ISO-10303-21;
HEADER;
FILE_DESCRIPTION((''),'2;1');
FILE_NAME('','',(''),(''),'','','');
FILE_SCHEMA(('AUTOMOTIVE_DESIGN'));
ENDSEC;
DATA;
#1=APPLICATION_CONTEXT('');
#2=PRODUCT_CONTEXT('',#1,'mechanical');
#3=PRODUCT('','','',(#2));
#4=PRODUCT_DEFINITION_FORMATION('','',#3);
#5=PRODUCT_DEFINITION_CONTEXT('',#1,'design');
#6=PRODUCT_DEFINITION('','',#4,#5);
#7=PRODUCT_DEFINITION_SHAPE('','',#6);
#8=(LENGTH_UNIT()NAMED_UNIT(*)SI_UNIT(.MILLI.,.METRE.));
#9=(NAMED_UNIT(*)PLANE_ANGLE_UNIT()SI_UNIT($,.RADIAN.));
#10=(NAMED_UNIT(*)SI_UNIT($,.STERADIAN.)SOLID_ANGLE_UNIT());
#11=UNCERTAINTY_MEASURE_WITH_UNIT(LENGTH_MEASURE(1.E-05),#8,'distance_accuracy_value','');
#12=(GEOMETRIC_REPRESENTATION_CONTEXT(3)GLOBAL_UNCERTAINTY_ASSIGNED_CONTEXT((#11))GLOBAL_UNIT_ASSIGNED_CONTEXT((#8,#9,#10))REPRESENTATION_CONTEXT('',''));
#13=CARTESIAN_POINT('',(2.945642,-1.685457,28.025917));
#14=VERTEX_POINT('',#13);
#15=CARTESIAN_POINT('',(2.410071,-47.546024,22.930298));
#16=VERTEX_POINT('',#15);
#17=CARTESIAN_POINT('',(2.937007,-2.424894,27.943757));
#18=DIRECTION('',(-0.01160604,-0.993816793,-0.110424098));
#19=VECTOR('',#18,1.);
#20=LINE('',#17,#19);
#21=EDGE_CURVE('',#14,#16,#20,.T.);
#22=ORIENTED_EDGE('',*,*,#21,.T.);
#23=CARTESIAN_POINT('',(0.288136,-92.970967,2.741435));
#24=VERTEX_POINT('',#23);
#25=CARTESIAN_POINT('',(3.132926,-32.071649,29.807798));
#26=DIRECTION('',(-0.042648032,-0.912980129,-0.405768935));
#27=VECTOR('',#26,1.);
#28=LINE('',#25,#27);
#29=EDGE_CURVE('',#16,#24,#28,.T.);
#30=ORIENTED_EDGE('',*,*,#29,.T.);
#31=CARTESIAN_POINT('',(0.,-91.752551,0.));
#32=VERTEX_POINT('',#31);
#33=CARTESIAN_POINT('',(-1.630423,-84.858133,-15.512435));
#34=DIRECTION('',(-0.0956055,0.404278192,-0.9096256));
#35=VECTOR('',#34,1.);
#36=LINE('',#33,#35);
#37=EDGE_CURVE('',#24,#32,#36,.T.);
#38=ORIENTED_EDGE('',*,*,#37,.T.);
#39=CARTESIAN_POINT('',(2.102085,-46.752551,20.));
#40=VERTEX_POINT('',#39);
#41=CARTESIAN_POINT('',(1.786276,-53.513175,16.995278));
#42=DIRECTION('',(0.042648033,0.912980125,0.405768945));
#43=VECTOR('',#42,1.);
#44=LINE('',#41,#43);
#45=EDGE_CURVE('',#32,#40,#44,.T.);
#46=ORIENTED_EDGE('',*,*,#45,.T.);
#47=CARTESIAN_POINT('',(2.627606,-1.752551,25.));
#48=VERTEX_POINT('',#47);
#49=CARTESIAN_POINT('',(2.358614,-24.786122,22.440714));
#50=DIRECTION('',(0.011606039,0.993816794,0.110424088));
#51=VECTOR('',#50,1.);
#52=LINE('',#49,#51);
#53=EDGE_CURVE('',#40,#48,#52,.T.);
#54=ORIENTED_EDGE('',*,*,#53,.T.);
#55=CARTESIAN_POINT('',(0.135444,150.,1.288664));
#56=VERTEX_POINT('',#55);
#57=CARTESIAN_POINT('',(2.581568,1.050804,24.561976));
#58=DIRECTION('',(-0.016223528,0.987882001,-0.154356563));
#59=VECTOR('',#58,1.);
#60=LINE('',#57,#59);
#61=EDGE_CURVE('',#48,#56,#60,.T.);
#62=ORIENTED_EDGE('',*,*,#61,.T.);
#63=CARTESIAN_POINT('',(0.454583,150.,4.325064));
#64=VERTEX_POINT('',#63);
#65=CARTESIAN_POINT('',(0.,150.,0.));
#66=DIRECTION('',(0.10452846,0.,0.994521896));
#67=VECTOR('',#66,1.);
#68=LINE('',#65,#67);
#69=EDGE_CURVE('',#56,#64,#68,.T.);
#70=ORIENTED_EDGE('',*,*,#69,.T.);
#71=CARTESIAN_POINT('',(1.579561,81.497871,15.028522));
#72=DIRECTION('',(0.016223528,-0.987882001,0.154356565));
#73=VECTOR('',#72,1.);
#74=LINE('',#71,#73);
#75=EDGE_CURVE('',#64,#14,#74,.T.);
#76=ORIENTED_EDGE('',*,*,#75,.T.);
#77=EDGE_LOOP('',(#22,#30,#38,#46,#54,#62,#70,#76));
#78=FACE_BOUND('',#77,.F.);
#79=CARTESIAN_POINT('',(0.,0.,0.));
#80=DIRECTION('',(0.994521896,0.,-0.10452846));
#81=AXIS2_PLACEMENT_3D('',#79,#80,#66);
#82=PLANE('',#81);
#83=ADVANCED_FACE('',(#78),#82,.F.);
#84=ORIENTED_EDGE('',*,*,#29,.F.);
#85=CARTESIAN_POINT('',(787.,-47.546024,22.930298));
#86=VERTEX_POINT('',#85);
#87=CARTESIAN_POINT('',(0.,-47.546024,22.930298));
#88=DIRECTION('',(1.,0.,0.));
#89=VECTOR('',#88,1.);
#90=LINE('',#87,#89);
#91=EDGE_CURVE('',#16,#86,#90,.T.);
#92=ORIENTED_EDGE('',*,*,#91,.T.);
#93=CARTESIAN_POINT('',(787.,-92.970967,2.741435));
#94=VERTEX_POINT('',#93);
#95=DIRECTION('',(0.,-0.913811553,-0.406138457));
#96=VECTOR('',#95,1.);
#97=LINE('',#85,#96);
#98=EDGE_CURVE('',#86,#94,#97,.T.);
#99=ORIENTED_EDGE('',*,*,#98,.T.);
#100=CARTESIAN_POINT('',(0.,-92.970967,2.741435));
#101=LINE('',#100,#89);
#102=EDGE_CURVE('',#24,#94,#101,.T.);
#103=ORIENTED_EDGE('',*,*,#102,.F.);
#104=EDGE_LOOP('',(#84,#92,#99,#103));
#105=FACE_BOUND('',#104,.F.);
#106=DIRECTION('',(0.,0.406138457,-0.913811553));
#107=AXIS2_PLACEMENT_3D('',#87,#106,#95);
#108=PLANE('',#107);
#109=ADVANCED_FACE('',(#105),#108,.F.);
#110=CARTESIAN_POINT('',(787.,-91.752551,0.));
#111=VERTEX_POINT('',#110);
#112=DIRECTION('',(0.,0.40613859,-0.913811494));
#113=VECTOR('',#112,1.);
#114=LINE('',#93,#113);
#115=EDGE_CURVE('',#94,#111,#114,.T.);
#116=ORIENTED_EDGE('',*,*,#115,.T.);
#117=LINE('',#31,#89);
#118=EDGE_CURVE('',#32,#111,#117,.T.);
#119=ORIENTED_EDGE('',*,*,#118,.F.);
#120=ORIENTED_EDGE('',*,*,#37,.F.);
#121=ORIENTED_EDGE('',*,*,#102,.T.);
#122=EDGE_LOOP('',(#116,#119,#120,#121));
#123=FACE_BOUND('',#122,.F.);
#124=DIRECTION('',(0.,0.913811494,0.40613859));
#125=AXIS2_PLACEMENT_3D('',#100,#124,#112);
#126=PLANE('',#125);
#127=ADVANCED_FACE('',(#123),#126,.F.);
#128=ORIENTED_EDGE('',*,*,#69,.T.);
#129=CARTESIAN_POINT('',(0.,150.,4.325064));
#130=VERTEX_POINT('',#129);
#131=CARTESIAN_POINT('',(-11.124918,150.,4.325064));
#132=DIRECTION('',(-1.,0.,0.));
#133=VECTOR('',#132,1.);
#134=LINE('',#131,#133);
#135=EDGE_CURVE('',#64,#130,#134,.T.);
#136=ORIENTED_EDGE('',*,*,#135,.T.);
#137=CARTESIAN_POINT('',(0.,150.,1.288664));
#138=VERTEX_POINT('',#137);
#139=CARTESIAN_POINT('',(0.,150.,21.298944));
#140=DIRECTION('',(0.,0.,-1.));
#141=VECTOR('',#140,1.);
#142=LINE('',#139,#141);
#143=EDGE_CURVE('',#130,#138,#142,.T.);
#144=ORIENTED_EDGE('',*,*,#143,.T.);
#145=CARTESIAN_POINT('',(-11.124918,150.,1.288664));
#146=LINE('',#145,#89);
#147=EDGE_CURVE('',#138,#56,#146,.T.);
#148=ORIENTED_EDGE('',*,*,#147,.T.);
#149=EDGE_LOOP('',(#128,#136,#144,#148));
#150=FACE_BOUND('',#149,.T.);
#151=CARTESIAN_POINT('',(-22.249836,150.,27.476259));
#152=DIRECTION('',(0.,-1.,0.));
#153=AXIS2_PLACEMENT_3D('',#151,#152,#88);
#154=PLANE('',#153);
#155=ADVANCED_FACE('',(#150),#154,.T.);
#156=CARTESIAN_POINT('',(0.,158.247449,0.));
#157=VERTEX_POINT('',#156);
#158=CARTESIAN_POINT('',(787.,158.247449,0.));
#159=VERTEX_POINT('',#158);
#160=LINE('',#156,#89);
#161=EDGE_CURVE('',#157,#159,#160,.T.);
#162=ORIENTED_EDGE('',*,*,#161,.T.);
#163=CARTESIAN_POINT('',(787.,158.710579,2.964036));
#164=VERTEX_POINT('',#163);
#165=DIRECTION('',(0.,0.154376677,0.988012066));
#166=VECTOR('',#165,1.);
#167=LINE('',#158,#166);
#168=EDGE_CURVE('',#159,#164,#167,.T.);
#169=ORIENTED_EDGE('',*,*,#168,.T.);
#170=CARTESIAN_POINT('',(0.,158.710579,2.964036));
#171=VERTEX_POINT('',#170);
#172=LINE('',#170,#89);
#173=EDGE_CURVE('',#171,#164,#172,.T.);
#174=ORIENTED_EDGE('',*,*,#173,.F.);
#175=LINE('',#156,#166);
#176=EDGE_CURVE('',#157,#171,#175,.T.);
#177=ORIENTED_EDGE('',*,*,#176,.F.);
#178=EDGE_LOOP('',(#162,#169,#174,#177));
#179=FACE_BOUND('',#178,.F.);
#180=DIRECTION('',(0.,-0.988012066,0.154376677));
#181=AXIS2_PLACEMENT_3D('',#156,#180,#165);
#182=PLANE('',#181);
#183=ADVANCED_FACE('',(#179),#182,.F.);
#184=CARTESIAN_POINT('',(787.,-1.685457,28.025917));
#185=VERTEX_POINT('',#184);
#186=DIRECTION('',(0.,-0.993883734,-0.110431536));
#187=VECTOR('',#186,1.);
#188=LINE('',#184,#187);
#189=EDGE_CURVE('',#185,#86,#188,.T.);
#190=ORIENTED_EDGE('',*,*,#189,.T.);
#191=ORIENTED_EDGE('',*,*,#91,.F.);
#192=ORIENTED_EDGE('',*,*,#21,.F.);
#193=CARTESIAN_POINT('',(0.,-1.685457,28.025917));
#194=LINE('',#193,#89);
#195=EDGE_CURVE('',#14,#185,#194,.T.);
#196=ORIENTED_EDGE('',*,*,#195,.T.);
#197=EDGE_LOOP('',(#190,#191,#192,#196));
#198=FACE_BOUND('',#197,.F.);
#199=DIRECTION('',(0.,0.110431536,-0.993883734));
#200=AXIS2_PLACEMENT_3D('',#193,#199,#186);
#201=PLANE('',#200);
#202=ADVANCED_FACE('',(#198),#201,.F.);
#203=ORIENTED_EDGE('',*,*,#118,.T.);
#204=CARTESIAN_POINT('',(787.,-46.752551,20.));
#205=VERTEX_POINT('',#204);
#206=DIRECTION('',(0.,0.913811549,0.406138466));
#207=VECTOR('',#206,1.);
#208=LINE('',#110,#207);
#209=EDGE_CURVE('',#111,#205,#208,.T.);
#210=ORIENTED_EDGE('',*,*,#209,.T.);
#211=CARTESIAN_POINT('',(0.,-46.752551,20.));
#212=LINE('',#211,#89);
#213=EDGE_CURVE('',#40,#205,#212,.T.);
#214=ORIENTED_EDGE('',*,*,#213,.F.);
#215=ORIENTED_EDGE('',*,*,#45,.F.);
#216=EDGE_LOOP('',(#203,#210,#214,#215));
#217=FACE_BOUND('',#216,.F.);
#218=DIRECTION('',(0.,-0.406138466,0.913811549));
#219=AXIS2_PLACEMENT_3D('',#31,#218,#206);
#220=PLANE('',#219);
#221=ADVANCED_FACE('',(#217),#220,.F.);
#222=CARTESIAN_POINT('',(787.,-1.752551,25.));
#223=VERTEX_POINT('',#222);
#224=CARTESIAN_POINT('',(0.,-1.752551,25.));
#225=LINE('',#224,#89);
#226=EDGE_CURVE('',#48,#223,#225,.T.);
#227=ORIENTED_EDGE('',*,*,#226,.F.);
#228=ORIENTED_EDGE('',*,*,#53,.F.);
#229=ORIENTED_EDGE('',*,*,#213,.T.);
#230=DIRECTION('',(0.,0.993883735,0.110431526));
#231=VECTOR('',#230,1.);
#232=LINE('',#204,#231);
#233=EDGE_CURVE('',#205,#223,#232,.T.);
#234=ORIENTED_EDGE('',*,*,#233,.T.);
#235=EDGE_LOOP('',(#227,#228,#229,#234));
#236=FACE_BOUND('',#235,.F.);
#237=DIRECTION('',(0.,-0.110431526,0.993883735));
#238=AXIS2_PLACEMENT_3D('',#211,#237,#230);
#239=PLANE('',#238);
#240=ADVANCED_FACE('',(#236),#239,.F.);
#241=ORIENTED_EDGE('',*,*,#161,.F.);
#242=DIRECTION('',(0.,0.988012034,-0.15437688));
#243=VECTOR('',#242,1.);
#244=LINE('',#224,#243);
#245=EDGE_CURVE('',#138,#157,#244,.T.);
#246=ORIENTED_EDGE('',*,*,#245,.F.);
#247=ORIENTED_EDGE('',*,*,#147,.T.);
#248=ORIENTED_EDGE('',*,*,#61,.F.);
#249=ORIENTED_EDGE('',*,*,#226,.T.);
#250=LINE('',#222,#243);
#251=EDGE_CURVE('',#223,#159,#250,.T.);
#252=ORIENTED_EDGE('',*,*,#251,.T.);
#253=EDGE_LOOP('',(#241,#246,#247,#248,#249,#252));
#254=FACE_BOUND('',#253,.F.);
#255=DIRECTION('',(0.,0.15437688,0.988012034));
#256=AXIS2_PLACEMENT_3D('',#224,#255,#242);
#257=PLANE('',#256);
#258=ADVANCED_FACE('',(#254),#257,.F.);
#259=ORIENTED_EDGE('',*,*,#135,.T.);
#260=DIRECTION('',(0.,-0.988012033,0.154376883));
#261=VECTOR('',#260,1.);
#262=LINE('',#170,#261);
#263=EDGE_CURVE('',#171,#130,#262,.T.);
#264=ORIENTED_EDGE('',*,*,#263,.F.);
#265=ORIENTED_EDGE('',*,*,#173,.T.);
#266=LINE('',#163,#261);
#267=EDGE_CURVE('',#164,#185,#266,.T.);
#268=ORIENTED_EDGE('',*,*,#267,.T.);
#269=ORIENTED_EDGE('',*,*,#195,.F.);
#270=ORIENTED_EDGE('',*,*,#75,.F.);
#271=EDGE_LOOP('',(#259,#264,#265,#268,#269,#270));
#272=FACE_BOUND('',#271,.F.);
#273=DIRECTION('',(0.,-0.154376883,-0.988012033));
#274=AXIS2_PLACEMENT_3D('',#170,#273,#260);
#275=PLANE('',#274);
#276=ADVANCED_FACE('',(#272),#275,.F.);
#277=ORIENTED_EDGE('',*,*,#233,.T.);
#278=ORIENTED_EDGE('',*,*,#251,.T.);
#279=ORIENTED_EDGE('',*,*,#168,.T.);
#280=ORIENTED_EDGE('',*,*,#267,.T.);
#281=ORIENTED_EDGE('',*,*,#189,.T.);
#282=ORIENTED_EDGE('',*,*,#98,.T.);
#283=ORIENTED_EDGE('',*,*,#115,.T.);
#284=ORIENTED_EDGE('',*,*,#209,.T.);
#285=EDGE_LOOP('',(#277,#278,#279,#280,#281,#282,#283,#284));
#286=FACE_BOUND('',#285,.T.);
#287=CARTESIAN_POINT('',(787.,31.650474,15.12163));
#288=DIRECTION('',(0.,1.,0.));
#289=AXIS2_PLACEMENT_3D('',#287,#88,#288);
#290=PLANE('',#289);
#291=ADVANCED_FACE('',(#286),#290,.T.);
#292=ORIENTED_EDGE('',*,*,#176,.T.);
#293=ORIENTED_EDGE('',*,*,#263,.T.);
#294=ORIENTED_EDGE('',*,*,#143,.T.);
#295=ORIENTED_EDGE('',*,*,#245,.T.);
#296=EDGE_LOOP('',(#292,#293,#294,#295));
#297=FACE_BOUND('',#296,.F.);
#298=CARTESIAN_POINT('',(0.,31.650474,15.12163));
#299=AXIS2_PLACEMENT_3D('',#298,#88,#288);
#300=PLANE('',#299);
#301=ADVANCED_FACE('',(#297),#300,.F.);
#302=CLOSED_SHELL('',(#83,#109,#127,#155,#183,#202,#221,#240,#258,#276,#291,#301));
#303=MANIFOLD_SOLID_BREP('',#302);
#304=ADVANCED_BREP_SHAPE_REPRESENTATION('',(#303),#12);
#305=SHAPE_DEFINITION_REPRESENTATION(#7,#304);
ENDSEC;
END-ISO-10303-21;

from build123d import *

# Parameters (mm, degrees)
F1_DEPTH = 787
F3_DEPTH = 150


with BuildPart() as f1:
    # F0 (on Right) → F1 (new body)
    with BuildSketch(Plane.YZ):
        Polygon((-92.970967, 2.741435), (-91.752551, 0), (-46.752551, 20), (-1.752551, 25), (158.247449, 0), (158.710579, 2.964036), (-1.685457, 28.025917), (-47.546024, 22.930298), align=None)
    extrude(amount=F1_DEPTH)

    # F2 (on Front) → F3 (cut, symmetric)
    with BuildSketch(Plane.XZ):
        Polygon((-49.726095, 5.226423), (0, 0), (5.226423, 49.726095), (-44.499672, 54.952518), align=None)
    extrude(amount=F3_DEPTH, both=True, mode=Mode.SUBTRACT)


solid = f1.part
